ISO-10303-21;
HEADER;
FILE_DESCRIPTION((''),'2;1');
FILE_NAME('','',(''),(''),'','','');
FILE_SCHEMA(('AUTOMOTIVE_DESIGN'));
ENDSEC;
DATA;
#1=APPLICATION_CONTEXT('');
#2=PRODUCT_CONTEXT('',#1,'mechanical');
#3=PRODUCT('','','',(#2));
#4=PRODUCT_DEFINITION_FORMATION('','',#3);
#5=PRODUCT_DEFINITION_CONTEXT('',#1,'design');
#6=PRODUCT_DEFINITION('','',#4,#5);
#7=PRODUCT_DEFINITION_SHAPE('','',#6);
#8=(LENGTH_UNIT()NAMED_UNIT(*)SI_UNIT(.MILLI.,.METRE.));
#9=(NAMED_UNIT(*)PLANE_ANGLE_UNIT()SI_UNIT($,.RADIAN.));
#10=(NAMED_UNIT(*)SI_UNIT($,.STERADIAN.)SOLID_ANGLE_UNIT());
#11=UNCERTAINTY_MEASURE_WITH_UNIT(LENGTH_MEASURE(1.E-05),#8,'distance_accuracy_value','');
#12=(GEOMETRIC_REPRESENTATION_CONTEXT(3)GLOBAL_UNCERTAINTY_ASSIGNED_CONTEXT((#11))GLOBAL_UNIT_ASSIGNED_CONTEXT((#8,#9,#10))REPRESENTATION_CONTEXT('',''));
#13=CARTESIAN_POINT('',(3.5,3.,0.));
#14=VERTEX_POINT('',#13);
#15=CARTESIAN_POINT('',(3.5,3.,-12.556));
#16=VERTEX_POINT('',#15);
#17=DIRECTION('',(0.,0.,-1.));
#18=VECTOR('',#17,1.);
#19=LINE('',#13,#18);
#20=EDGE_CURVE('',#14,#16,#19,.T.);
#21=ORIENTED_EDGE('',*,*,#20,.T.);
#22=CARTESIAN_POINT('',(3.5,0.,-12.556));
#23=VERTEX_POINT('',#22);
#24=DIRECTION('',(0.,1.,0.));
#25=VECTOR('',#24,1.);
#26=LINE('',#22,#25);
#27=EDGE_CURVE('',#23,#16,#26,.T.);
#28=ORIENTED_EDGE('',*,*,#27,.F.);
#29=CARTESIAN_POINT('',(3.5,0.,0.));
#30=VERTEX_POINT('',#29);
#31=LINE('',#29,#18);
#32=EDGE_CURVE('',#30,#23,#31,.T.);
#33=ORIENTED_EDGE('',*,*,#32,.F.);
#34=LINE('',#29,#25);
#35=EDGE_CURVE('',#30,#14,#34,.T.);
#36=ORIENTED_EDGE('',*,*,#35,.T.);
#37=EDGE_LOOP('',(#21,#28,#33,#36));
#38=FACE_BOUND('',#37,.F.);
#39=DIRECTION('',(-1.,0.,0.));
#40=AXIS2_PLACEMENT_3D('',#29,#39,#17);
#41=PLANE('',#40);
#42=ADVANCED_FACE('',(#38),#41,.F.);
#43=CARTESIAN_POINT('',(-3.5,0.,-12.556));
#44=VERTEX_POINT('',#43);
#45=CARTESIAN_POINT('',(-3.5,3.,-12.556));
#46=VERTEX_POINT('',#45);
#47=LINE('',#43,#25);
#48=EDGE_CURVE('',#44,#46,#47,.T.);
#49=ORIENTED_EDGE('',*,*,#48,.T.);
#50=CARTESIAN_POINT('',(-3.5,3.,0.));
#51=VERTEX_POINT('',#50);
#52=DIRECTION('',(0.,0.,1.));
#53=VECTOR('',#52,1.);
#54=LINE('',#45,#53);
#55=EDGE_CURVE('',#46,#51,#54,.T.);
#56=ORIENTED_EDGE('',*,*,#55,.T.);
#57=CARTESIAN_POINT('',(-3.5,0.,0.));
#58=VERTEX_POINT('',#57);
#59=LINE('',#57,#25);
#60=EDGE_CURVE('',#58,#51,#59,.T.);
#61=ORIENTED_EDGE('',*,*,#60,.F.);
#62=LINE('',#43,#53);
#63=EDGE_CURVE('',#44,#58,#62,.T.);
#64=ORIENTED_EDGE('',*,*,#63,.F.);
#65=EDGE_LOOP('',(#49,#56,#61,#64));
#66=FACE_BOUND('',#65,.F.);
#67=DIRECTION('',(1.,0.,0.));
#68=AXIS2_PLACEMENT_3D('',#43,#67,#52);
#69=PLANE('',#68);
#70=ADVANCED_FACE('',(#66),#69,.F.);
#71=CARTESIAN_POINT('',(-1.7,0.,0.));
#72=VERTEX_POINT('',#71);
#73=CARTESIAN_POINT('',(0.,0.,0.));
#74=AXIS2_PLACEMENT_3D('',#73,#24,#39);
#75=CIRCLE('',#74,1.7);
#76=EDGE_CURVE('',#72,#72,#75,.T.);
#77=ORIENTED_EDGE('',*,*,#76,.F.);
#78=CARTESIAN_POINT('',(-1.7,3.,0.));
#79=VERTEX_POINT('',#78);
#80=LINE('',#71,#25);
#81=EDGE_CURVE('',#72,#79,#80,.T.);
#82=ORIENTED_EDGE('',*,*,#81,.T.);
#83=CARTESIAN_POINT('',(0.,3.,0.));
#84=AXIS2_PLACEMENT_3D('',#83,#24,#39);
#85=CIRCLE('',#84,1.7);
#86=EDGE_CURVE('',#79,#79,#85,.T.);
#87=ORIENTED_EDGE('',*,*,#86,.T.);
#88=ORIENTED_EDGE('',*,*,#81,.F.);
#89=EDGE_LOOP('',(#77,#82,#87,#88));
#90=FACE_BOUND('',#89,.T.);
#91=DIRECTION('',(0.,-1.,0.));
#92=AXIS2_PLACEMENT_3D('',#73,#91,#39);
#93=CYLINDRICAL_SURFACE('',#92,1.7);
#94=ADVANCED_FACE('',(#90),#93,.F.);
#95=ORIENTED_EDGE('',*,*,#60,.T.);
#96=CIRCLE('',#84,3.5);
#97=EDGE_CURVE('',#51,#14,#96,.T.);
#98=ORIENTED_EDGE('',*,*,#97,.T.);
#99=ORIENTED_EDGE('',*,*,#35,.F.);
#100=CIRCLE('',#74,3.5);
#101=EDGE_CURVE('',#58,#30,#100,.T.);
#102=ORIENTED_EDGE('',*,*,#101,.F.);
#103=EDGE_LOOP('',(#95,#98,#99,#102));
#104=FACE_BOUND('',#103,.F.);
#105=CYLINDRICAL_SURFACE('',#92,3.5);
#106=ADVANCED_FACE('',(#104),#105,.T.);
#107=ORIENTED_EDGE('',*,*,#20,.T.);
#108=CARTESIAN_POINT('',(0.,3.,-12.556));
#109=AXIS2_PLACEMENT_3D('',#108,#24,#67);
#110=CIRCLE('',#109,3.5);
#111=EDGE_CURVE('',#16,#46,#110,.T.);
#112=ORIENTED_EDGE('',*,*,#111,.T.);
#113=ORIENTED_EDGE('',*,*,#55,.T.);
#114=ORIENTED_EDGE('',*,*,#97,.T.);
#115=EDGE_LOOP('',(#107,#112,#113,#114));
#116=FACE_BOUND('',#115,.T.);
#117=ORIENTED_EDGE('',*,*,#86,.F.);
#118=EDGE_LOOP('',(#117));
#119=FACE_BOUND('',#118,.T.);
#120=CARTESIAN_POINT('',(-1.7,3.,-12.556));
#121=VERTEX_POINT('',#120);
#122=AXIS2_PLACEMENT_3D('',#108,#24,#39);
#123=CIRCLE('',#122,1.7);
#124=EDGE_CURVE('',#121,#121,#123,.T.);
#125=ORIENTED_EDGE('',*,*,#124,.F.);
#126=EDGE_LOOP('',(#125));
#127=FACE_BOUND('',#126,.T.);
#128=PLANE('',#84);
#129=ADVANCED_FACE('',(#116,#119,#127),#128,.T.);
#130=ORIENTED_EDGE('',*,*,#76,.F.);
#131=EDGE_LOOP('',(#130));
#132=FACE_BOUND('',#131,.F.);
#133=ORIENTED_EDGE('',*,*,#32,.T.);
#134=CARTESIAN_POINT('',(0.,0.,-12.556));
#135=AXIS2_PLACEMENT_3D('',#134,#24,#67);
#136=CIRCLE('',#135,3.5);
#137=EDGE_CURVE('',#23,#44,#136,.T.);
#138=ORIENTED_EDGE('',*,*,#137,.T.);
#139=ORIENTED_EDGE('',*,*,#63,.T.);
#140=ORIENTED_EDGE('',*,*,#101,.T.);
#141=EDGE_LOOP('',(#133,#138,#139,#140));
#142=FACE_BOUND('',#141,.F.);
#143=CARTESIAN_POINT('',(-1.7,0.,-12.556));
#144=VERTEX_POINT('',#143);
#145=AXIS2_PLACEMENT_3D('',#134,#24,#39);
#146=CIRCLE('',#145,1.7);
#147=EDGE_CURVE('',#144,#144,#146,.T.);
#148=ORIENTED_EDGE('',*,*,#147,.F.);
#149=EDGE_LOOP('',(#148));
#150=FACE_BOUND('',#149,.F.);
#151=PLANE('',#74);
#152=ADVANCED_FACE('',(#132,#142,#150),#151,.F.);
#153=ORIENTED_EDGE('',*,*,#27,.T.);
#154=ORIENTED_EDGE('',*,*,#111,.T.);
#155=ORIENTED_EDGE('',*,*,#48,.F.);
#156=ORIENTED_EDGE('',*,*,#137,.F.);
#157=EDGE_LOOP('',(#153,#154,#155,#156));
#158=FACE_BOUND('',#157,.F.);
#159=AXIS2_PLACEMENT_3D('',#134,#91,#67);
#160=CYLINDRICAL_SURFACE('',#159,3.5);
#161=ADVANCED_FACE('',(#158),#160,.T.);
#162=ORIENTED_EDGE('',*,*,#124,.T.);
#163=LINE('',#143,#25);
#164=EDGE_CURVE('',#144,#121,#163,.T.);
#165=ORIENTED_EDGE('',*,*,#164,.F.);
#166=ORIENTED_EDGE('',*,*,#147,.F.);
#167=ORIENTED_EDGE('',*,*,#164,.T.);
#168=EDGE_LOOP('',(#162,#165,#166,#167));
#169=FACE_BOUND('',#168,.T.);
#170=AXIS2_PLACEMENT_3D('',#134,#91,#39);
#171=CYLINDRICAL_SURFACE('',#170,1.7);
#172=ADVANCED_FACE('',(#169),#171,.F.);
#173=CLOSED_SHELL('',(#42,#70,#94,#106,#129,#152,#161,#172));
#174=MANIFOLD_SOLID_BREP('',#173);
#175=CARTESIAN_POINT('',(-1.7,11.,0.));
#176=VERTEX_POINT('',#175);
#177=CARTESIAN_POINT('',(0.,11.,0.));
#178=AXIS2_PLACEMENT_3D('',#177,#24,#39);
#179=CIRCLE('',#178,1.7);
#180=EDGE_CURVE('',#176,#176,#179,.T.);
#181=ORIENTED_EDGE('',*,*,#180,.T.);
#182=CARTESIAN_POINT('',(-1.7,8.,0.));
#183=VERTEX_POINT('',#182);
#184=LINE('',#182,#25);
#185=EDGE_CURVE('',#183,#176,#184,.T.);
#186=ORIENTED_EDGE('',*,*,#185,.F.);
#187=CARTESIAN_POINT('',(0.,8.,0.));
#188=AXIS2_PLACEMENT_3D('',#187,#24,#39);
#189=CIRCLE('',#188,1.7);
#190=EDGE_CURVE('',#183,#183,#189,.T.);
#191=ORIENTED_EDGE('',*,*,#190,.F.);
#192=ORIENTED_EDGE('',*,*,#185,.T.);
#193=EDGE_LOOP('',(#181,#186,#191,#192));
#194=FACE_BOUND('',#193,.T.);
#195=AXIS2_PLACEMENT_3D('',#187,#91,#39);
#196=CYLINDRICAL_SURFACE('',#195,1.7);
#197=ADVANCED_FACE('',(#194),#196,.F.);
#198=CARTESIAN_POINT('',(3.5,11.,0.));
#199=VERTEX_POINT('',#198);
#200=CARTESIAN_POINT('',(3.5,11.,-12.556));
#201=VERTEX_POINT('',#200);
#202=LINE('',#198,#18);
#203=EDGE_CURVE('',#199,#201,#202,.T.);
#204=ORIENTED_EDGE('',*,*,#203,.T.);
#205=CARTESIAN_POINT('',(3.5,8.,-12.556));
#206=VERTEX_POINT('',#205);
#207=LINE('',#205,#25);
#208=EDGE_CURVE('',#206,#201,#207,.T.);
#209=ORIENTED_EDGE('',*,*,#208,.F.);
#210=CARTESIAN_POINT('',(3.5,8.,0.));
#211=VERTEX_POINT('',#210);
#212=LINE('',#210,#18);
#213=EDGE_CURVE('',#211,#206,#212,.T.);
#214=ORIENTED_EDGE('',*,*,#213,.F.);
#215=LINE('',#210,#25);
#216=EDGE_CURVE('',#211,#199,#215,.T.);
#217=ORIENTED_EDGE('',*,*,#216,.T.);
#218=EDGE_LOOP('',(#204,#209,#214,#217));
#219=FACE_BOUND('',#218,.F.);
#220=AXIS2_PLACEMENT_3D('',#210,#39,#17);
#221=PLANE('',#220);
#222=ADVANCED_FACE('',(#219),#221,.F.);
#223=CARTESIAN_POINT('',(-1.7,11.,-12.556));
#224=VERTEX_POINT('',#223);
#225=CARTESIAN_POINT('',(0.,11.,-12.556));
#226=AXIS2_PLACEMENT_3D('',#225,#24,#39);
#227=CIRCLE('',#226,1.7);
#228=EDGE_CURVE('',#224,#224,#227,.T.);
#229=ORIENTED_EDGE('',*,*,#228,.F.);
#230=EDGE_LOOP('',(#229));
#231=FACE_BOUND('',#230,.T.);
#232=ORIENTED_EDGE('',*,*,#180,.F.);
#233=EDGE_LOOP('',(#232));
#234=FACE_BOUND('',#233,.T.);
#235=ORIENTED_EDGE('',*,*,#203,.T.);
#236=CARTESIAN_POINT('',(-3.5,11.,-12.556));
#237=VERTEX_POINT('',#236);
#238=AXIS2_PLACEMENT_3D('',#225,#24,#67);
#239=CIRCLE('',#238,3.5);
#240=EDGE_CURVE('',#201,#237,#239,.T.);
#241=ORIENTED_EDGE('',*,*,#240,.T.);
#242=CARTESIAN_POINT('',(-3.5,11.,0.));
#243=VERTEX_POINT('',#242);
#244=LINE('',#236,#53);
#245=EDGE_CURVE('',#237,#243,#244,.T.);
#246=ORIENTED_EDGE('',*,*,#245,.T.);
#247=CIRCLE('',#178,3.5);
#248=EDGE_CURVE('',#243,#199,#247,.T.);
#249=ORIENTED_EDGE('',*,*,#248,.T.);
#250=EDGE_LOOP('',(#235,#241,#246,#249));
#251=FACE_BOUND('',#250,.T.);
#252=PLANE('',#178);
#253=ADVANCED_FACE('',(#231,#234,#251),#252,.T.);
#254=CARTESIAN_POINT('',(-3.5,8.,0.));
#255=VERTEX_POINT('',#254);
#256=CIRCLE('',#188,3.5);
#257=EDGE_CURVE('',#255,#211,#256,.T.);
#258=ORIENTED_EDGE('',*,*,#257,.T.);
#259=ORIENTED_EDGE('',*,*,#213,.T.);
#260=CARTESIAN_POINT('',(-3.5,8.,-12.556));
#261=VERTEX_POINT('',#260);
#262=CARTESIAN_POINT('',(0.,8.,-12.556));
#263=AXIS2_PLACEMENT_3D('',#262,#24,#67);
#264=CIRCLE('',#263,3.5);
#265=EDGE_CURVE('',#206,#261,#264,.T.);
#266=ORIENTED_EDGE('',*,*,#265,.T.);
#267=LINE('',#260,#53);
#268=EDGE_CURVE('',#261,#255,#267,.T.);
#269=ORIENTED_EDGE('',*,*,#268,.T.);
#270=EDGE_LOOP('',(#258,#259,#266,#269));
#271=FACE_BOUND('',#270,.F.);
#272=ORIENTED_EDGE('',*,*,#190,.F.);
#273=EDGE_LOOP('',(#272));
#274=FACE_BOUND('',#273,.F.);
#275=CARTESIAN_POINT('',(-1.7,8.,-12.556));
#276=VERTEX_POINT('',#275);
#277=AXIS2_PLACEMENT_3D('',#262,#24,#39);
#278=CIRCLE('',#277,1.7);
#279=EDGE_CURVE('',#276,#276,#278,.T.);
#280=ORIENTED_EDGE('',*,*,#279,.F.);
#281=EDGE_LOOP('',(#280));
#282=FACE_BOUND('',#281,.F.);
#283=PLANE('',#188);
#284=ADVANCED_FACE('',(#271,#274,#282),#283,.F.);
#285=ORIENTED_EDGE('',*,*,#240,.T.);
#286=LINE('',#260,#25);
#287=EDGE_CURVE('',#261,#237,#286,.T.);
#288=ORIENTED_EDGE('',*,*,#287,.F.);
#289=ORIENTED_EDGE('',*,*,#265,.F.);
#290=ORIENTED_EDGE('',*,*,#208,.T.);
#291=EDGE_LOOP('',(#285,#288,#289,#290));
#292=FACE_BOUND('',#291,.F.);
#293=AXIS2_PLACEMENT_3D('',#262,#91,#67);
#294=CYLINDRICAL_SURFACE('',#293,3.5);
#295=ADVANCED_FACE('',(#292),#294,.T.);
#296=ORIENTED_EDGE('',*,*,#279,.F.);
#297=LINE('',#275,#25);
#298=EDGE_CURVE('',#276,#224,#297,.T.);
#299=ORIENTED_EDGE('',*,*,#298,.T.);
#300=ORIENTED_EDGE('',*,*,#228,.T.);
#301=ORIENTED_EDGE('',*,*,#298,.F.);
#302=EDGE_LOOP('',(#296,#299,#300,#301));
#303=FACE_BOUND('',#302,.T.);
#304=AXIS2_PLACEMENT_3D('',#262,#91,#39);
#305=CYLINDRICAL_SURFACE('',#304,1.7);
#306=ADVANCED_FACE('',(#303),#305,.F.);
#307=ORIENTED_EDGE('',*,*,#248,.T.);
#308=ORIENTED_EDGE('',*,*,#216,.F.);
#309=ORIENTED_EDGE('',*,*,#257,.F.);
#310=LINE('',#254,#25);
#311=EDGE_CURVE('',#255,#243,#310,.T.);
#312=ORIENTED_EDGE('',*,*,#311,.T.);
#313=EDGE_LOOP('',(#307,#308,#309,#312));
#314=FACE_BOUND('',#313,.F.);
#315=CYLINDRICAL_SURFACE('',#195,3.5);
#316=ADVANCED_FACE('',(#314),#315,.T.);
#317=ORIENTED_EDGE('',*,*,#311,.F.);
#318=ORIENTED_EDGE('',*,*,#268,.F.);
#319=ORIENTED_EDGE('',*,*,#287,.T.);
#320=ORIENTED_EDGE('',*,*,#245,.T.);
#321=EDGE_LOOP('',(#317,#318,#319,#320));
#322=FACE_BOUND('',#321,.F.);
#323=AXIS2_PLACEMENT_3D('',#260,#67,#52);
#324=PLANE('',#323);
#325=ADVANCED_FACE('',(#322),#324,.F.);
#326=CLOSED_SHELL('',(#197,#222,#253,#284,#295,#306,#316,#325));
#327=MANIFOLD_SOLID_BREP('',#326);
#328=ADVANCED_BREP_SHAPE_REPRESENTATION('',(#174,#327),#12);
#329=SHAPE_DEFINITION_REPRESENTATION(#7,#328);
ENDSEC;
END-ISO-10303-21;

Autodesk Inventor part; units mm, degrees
ref_plane "YZ Plane" through (0, 0, 0) normal (1, 0, 0) x (0, 1, 0)
ref_plane "XZ Plane" through (0, 0, 0) normal (0, 1, 0) x (-1, 0, 0)
ref_plane "XY Plane" through (0, 0, 0) normal (0, 0, 1) x (1, 0, 0)
sketch "Sketch1" plane through (0, 0, 0) normal (0, 1, 0) x (-1, 0, 0)
  line L0 (0, 0) -> (0, -12.556) construction
  line L1 (-3.5, 0) -> (-3.5, -12.556)
  line L2 (3.5, -12.556) -> (3.5, 0)
  arc A0 (3.5, 0) -> (-3.5, 0) centre (0, 0) ccw
  arc A1 (-3.5, -12.556) -> (3.5, -12.556) centre (0, -12.556) ccw
  circle A2 centre (0, 0) radius 1.7
  circle A3 centre (0, -12.556) radius 1.7
  point P0 (0, -6.278)
  dimension "d0" = 7
  dimension "d1" = 3.4
  dimension "d2" = 3.4
  dimension "d3" = 12.556
extrude "Extrusion1" add sketch "Sketch1" along normal blind 3
pattern_linear "Rectangular Pattern1" count 2 spacing 8 along (0, 1, 0) of "Extrusion1"
properties part number "Corredera_III"
